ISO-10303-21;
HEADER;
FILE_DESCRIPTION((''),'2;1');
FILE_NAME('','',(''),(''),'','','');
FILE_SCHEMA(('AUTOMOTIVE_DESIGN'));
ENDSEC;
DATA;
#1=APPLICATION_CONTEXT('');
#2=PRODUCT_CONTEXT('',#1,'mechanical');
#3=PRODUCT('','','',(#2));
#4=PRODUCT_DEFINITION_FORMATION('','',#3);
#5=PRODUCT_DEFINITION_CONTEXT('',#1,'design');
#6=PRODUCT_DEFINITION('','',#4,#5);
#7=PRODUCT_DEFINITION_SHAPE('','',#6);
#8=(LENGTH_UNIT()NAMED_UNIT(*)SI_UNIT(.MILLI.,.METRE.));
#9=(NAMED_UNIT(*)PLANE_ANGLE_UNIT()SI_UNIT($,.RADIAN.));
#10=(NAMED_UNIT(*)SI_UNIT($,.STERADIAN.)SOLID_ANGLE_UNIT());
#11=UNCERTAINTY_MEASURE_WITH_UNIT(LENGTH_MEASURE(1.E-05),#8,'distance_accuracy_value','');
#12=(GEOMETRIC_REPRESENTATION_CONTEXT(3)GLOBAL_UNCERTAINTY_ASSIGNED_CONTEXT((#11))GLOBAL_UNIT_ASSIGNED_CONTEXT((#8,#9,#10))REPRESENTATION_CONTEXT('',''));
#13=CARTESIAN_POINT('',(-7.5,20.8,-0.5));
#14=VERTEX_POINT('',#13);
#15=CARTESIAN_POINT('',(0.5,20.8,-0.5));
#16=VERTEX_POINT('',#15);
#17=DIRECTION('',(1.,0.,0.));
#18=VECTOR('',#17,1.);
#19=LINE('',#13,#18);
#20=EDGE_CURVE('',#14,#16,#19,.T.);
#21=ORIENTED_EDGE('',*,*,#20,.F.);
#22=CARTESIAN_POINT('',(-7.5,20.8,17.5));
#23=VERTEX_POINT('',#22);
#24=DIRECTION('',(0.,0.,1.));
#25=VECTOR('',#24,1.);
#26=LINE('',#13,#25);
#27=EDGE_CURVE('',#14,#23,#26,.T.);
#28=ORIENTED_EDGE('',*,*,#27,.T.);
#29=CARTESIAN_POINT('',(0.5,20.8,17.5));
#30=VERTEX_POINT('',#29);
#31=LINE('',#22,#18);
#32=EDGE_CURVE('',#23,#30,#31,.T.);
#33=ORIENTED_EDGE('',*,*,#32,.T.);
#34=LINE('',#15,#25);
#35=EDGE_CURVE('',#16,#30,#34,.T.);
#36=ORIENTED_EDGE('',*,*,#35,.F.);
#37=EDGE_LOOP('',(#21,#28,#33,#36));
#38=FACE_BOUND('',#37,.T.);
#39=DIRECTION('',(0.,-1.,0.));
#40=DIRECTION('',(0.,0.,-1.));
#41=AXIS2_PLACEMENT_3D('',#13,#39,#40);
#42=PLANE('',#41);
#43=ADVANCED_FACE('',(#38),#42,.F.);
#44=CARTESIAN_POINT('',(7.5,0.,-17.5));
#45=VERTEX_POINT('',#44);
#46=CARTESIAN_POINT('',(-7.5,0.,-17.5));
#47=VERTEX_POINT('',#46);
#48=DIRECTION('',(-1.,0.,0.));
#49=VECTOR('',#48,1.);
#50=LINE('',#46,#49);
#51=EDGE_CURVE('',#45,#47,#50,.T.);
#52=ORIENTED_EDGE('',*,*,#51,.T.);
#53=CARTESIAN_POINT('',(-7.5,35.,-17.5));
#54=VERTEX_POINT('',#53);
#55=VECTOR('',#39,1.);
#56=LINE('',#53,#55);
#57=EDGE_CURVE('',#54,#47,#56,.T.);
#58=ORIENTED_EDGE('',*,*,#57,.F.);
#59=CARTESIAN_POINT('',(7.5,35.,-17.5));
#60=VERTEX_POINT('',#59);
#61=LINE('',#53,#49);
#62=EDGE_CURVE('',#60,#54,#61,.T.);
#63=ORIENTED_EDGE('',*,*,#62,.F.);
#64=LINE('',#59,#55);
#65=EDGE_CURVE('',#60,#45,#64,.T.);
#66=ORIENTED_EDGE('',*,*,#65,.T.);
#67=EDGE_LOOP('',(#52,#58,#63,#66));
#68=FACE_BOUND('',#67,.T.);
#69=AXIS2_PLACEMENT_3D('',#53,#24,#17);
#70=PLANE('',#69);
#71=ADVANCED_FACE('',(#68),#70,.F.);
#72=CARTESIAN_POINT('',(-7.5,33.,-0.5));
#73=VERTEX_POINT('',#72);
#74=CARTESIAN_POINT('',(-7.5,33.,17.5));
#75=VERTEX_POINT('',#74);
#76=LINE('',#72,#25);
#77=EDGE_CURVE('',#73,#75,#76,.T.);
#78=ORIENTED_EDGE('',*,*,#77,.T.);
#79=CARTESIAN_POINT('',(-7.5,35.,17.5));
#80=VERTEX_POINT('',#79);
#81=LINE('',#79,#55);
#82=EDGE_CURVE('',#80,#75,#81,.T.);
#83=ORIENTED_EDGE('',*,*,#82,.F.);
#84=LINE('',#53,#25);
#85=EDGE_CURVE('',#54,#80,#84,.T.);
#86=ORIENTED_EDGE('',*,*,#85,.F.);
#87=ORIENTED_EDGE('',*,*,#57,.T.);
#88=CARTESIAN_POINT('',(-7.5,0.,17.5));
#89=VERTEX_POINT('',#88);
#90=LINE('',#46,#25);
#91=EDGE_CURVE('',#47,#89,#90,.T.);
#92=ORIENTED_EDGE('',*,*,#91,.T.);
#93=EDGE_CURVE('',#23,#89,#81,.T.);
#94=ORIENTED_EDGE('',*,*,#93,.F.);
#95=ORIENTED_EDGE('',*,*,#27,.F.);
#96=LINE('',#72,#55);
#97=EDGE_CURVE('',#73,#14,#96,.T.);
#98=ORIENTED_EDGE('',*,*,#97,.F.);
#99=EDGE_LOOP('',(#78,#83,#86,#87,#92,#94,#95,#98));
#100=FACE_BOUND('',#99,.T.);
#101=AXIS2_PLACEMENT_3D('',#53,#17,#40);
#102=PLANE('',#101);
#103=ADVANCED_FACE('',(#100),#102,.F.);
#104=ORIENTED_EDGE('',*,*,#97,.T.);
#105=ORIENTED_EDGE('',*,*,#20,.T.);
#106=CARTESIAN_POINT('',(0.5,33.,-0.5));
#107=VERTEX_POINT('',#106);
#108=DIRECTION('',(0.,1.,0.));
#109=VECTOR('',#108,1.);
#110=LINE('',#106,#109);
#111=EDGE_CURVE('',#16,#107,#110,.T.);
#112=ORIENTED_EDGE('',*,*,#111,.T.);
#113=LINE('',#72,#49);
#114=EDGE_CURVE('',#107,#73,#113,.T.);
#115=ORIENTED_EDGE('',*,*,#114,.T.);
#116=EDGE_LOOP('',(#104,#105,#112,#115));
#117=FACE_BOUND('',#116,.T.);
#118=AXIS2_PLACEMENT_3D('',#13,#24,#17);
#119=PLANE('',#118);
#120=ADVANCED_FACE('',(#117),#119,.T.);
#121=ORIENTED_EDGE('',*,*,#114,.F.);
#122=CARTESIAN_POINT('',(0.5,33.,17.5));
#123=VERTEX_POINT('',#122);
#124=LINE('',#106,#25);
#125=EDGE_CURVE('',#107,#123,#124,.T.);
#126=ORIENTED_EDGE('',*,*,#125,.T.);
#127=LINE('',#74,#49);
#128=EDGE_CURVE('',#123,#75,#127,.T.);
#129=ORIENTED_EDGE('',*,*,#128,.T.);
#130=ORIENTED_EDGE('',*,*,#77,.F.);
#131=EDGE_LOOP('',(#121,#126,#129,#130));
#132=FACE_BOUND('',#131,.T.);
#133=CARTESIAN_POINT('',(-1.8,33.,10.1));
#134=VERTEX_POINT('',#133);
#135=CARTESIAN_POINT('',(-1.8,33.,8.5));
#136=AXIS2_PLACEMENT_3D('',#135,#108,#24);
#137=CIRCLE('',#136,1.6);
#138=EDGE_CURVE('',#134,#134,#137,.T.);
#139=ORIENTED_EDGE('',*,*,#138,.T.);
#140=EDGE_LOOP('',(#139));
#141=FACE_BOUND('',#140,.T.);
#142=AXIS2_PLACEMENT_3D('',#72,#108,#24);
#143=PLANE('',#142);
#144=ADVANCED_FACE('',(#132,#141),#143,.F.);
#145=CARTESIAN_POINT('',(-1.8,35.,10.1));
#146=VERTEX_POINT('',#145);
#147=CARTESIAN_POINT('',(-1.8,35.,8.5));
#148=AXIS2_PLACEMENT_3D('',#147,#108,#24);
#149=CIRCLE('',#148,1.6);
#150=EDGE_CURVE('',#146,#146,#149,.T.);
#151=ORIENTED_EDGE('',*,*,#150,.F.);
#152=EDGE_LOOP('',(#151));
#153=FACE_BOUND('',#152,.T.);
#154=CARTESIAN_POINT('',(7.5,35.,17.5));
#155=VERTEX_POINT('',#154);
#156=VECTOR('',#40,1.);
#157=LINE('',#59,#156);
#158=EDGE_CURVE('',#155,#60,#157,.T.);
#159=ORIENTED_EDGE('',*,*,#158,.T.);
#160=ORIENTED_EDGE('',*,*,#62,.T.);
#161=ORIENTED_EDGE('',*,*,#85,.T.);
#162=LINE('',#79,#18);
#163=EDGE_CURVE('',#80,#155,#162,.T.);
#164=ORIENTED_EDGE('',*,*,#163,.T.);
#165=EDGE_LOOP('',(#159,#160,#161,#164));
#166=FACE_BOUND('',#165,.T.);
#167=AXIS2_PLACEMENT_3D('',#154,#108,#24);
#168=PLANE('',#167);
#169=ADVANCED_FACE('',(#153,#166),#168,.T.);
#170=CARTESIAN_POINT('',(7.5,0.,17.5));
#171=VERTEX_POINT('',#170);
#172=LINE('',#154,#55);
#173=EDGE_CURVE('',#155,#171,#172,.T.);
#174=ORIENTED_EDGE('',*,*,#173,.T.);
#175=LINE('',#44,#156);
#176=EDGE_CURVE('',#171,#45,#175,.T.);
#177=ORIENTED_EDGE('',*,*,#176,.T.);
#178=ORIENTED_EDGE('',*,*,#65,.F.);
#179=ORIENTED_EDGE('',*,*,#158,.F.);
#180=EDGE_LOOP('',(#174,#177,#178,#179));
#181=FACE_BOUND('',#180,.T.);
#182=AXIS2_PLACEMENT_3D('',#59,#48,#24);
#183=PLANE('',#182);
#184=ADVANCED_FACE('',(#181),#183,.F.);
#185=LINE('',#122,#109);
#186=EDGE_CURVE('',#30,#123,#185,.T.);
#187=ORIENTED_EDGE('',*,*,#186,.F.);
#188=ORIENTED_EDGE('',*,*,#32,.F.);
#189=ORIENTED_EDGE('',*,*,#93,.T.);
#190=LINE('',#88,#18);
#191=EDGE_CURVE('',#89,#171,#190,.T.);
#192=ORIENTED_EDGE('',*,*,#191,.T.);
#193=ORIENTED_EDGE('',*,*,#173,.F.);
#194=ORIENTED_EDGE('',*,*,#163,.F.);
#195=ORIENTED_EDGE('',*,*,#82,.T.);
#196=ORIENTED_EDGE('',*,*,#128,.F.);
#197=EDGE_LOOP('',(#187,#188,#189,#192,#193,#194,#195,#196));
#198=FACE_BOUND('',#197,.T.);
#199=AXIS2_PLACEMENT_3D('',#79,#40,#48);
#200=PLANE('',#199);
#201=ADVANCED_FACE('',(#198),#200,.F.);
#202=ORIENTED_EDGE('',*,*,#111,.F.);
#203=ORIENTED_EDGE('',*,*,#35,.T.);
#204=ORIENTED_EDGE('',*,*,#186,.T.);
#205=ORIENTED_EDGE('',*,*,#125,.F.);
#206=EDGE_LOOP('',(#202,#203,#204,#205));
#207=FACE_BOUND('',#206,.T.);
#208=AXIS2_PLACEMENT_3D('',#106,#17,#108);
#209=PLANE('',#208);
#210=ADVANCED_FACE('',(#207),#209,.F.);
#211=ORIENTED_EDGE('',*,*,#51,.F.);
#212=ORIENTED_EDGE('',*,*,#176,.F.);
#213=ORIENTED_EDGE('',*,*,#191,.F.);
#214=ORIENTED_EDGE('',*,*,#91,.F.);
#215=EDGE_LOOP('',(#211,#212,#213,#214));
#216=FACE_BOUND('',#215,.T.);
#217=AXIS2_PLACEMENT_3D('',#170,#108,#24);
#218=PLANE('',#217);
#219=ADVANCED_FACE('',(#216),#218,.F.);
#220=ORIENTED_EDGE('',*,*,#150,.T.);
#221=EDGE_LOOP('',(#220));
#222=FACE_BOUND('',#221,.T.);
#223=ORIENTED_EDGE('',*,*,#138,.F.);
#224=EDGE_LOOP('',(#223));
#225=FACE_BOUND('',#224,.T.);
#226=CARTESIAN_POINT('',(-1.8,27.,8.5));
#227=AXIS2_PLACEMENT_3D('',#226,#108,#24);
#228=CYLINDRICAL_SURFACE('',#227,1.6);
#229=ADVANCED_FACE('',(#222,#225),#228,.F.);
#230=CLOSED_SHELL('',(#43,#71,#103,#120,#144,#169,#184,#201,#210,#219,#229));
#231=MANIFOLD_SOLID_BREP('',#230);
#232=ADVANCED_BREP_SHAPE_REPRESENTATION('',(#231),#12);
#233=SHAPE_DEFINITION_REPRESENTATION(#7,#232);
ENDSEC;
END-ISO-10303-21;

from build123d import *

# Parameters (mm, degrees)
SKETCH1_W           = 15
SKETCH1_H           = 35
BOSS_EXTRUDE1_DEPTH = 35
SKETCH3_W           = 8
SKETCH3_H           = 12.2
CUT_EXTRUDE2_DEPTH  = 18
SKETCH4_R           = 1.6
CUT_EXTRUDE3_DEPTH  = 8


with BuildPart() as part:
    # Sketch1 → Boss-Extrude1 (new body)
    with BuildSketch(Plane(origin=(0, 0, 0), x_dir=(1, 0, 0), z_dir=(0, 1, 0))):
        Rectangle(SKETCH1_W, SKETCH1_H)
    extrude(amount=BOSS_EXTRUDE1_DEPTH)

    # Sketch3 → Cut-Extrude2 (cut)
    with BuildSketch(Plane.XY.offset(17.5)):
        with Locations((-3.5, 26.9)):
            Rectangle(SKETCH3_W, SKETCH3_H)
    extrude(amount=-CUT_EXTRUDE2_DEPTH, mode=Mode.SUBTRACT)

    # Sketch4 → Cut-Extrude3 (cut)
    with BuildSketch(Plane(origin=(0, 35, 0), x_dir=(1, 0, 0), z_dir=(0, 1, 0))):
        with Locations(Location((-1.8, -8.5, 0), (0, 0, 270))):  # turned: the seam where the file's is
            Circle(SKETCH4_R)
    extrude(amount=-CUT_EXTRUDE3_DEPTH, mode=Mode.SUBTRACT)


solid = part.part
